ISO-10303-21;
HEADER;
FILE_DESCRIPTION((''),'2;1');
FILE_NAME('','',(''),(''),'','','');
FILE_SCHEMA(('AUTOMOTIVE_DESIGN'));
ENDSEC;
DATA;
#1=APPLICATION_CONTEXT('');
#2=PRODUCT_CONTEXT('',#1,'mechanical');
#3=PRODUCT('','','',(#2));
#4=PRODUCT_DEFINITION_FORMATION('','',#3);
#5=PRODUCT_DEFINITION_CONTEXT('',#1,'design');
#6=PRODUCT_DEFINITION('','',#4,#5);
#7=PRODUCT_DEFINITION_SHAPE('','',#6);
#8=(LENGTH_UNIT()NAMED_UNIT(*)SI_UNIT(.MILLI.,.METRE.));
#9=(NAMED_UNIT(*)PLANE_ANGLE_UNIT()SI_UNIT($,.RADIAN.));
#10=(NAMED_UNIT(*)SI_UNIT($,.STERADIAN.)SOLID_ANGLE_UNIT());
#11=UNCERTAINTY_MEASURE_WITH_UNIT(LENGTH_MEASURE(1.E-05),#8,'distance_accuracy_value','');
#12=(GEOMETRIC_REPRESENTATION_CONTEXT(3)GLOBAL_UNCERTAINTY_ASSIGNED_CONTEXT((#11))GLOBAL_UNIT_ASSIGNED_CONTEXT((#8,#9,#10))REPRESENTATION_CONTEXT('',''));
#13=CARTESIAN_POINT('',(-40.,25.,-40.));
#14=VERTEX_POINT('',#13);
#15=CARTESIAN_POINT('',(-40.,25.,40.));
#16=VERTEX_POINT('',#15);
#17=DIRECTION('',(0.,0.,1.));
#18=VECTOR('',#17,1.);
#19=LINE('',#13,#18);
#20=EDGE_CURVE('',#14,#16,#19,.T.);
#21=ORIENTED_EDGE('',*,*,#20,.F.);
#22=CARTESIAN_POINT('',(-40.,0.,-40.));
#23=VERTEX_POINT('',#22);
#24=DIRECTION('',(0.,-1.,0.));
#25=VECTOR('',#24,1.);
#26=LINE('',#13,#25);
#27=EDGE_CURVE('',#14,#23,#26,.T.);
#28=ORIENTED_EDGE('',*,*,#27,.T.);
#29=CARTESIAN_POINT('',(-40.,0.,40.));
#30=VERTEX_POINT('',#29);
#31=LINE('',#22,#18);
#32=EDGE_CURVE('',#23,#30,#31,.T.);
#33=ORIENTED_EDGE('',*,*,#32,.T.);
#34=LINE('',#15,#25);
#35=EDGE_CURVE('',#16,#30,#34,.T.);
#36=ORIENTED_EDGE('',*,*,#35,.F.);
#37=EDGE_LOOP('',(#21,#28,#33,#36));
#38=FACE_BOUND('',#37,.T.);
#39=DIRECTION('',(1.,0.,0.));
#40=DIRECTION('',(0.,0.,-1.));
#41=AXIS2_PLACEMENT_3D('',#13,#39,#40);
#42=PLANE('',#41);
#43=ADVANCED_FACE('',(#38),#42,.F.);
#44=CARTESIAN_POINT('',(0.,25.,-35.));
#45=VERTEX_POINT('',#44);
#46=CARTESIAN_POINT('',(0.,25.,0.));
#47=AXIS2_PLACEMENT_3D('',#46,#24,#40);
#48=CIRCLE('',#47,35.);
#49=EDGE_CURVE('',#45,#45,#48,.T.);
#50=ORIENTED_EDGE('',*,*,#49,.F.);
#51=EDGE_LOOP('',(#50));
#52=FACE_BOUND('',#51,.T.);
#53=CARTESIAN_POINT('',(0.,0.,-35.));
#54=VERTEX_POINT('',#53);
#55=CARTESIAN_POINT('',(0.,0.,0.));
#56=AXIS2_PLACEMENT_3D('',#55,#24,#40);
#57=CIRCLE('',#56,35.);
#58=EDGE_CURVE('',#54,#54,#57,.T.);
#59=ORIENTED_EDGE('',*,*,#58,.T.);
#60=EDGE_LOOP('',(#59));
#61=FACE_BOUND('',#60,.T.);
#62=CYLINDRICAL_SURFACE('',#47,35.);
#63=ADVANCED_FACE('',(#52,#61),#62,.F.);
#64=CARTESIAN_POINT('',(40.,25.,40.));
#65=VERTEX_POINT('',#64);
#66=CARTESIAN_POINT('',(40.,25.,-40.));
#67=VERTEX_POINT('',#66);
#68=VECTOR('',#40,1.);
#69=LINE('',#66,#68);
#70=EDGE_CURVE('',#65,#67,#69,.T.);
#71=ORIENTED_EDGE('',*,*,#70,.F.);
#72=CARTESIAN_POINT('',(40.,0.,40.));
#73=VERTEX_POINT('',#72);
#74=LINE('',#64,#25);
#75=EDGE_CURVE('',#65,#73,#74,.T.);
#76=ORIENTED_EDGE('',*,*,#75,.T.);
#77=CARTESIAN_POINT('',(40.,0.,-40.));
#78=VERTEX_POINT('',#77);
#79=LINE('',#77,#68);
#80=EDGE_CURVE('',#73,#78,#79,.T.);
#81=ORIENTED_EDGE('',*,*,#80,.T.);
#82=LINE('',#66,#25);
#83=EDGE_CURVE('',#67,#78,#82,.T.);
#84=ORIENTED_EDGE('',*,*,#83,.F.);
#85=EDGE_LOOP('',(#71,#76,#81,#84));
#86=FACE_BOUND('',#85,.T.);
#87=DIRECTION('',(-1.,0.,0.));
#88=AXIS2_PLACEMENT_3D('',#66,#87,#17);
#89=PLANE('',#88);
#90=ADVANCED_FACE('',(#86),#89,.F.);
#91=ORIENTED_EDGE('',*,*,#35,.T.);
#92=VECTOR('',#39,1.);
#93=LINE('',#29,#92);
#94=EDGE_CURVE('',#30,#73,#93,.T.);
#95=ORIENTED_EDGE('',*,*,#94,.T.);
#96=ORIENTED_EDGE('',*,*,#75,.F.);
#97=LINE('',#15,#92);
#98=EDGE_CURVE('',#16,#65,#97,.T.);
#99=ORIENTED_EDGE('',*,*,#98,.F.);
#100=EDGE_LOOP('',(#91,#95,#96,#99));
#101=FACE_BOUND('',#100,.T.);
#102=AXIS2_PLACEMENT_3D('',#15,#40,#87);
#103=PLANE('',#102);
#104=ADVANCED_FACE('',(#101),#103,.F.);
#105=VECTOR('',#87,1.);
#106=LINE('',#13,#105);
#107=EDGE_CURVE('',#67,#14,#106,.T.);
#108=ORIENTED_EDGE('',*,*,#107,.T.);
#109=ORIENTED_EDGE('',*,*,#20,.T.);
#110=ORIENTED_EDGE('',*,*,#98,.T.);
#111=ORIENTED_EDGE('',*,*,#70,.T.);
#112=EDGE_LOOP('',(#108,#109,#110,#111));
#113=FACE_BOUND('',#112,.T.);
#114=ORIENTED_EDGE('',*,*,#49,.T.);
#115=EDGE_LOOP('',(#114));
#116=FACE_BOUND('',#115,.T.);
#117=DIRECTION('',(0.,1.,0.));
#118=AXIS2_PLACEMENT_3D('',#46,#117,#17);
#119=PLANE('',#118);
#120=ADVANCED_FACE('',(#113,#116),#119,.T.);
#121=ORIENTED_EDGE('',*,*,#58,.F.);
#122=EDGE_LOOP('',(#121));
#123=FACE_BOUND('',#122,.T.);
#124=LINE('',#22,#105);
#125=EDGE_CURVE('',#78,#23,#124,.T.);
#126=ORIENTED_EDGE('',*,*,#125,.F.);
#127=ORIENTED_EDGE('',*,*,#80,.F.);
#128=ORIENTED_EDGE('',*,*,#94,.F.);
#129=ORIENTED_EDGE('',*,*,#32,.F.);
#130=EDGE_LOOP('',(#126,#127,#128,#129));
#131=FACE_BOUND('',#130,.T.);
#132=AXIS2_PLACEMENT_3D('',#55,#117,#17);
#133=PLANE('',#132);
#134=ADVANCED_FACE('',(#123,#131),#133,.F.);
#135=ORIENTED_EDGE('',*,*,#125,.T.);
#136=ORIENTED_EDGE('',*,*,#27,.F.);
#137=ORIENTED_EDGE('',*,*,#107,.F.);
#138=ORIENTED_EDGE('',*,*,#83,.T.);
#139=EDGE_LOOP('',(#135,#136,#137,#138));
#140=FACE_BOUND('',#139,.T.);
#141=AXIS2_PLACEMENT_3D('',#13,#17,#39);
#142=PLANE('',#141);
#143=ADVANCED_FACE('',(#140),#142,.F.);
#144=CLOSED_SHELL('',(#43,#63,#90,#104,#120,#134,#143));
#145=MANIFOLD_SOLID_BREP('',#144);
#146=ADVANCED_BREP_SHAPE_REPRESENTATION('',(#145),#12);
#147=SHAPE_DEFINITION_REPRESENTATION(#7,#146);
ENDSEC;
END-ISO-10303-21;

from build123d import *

# Parameters (mm, degrees)
SKETCH1_W           = 80
SKETCH1_H           = 80
BOSS_EXTRUDE1_DEPTH = 25
SKETCH2_R           = 35
CUT_EXTRUDE1_DEPTH  = 26


with BuildPart() as part:
    # Sketch1 → Boss-Extrude1 (new body)
    with BuildSketch(Plane(origin=(0, 0, 0), x_dir=(1, 0, 0), z_dir=(0, 1, 0))):
        Rectangle(SKETCH1_W, SKETCH1_H)
    extrude(amount=BOSS_EXTRUDE1_DEPTH)

    # Sketch2 → Cut-Extrude1 (cut, through all)
    with BuildSketch(Plane.XZ):
        Circle(SKETCH2_R)
    extrude(amount=-CUT_EXTRUDE1_DEPTH, mode=Mode.SUBTRACT)


solid = part.part
